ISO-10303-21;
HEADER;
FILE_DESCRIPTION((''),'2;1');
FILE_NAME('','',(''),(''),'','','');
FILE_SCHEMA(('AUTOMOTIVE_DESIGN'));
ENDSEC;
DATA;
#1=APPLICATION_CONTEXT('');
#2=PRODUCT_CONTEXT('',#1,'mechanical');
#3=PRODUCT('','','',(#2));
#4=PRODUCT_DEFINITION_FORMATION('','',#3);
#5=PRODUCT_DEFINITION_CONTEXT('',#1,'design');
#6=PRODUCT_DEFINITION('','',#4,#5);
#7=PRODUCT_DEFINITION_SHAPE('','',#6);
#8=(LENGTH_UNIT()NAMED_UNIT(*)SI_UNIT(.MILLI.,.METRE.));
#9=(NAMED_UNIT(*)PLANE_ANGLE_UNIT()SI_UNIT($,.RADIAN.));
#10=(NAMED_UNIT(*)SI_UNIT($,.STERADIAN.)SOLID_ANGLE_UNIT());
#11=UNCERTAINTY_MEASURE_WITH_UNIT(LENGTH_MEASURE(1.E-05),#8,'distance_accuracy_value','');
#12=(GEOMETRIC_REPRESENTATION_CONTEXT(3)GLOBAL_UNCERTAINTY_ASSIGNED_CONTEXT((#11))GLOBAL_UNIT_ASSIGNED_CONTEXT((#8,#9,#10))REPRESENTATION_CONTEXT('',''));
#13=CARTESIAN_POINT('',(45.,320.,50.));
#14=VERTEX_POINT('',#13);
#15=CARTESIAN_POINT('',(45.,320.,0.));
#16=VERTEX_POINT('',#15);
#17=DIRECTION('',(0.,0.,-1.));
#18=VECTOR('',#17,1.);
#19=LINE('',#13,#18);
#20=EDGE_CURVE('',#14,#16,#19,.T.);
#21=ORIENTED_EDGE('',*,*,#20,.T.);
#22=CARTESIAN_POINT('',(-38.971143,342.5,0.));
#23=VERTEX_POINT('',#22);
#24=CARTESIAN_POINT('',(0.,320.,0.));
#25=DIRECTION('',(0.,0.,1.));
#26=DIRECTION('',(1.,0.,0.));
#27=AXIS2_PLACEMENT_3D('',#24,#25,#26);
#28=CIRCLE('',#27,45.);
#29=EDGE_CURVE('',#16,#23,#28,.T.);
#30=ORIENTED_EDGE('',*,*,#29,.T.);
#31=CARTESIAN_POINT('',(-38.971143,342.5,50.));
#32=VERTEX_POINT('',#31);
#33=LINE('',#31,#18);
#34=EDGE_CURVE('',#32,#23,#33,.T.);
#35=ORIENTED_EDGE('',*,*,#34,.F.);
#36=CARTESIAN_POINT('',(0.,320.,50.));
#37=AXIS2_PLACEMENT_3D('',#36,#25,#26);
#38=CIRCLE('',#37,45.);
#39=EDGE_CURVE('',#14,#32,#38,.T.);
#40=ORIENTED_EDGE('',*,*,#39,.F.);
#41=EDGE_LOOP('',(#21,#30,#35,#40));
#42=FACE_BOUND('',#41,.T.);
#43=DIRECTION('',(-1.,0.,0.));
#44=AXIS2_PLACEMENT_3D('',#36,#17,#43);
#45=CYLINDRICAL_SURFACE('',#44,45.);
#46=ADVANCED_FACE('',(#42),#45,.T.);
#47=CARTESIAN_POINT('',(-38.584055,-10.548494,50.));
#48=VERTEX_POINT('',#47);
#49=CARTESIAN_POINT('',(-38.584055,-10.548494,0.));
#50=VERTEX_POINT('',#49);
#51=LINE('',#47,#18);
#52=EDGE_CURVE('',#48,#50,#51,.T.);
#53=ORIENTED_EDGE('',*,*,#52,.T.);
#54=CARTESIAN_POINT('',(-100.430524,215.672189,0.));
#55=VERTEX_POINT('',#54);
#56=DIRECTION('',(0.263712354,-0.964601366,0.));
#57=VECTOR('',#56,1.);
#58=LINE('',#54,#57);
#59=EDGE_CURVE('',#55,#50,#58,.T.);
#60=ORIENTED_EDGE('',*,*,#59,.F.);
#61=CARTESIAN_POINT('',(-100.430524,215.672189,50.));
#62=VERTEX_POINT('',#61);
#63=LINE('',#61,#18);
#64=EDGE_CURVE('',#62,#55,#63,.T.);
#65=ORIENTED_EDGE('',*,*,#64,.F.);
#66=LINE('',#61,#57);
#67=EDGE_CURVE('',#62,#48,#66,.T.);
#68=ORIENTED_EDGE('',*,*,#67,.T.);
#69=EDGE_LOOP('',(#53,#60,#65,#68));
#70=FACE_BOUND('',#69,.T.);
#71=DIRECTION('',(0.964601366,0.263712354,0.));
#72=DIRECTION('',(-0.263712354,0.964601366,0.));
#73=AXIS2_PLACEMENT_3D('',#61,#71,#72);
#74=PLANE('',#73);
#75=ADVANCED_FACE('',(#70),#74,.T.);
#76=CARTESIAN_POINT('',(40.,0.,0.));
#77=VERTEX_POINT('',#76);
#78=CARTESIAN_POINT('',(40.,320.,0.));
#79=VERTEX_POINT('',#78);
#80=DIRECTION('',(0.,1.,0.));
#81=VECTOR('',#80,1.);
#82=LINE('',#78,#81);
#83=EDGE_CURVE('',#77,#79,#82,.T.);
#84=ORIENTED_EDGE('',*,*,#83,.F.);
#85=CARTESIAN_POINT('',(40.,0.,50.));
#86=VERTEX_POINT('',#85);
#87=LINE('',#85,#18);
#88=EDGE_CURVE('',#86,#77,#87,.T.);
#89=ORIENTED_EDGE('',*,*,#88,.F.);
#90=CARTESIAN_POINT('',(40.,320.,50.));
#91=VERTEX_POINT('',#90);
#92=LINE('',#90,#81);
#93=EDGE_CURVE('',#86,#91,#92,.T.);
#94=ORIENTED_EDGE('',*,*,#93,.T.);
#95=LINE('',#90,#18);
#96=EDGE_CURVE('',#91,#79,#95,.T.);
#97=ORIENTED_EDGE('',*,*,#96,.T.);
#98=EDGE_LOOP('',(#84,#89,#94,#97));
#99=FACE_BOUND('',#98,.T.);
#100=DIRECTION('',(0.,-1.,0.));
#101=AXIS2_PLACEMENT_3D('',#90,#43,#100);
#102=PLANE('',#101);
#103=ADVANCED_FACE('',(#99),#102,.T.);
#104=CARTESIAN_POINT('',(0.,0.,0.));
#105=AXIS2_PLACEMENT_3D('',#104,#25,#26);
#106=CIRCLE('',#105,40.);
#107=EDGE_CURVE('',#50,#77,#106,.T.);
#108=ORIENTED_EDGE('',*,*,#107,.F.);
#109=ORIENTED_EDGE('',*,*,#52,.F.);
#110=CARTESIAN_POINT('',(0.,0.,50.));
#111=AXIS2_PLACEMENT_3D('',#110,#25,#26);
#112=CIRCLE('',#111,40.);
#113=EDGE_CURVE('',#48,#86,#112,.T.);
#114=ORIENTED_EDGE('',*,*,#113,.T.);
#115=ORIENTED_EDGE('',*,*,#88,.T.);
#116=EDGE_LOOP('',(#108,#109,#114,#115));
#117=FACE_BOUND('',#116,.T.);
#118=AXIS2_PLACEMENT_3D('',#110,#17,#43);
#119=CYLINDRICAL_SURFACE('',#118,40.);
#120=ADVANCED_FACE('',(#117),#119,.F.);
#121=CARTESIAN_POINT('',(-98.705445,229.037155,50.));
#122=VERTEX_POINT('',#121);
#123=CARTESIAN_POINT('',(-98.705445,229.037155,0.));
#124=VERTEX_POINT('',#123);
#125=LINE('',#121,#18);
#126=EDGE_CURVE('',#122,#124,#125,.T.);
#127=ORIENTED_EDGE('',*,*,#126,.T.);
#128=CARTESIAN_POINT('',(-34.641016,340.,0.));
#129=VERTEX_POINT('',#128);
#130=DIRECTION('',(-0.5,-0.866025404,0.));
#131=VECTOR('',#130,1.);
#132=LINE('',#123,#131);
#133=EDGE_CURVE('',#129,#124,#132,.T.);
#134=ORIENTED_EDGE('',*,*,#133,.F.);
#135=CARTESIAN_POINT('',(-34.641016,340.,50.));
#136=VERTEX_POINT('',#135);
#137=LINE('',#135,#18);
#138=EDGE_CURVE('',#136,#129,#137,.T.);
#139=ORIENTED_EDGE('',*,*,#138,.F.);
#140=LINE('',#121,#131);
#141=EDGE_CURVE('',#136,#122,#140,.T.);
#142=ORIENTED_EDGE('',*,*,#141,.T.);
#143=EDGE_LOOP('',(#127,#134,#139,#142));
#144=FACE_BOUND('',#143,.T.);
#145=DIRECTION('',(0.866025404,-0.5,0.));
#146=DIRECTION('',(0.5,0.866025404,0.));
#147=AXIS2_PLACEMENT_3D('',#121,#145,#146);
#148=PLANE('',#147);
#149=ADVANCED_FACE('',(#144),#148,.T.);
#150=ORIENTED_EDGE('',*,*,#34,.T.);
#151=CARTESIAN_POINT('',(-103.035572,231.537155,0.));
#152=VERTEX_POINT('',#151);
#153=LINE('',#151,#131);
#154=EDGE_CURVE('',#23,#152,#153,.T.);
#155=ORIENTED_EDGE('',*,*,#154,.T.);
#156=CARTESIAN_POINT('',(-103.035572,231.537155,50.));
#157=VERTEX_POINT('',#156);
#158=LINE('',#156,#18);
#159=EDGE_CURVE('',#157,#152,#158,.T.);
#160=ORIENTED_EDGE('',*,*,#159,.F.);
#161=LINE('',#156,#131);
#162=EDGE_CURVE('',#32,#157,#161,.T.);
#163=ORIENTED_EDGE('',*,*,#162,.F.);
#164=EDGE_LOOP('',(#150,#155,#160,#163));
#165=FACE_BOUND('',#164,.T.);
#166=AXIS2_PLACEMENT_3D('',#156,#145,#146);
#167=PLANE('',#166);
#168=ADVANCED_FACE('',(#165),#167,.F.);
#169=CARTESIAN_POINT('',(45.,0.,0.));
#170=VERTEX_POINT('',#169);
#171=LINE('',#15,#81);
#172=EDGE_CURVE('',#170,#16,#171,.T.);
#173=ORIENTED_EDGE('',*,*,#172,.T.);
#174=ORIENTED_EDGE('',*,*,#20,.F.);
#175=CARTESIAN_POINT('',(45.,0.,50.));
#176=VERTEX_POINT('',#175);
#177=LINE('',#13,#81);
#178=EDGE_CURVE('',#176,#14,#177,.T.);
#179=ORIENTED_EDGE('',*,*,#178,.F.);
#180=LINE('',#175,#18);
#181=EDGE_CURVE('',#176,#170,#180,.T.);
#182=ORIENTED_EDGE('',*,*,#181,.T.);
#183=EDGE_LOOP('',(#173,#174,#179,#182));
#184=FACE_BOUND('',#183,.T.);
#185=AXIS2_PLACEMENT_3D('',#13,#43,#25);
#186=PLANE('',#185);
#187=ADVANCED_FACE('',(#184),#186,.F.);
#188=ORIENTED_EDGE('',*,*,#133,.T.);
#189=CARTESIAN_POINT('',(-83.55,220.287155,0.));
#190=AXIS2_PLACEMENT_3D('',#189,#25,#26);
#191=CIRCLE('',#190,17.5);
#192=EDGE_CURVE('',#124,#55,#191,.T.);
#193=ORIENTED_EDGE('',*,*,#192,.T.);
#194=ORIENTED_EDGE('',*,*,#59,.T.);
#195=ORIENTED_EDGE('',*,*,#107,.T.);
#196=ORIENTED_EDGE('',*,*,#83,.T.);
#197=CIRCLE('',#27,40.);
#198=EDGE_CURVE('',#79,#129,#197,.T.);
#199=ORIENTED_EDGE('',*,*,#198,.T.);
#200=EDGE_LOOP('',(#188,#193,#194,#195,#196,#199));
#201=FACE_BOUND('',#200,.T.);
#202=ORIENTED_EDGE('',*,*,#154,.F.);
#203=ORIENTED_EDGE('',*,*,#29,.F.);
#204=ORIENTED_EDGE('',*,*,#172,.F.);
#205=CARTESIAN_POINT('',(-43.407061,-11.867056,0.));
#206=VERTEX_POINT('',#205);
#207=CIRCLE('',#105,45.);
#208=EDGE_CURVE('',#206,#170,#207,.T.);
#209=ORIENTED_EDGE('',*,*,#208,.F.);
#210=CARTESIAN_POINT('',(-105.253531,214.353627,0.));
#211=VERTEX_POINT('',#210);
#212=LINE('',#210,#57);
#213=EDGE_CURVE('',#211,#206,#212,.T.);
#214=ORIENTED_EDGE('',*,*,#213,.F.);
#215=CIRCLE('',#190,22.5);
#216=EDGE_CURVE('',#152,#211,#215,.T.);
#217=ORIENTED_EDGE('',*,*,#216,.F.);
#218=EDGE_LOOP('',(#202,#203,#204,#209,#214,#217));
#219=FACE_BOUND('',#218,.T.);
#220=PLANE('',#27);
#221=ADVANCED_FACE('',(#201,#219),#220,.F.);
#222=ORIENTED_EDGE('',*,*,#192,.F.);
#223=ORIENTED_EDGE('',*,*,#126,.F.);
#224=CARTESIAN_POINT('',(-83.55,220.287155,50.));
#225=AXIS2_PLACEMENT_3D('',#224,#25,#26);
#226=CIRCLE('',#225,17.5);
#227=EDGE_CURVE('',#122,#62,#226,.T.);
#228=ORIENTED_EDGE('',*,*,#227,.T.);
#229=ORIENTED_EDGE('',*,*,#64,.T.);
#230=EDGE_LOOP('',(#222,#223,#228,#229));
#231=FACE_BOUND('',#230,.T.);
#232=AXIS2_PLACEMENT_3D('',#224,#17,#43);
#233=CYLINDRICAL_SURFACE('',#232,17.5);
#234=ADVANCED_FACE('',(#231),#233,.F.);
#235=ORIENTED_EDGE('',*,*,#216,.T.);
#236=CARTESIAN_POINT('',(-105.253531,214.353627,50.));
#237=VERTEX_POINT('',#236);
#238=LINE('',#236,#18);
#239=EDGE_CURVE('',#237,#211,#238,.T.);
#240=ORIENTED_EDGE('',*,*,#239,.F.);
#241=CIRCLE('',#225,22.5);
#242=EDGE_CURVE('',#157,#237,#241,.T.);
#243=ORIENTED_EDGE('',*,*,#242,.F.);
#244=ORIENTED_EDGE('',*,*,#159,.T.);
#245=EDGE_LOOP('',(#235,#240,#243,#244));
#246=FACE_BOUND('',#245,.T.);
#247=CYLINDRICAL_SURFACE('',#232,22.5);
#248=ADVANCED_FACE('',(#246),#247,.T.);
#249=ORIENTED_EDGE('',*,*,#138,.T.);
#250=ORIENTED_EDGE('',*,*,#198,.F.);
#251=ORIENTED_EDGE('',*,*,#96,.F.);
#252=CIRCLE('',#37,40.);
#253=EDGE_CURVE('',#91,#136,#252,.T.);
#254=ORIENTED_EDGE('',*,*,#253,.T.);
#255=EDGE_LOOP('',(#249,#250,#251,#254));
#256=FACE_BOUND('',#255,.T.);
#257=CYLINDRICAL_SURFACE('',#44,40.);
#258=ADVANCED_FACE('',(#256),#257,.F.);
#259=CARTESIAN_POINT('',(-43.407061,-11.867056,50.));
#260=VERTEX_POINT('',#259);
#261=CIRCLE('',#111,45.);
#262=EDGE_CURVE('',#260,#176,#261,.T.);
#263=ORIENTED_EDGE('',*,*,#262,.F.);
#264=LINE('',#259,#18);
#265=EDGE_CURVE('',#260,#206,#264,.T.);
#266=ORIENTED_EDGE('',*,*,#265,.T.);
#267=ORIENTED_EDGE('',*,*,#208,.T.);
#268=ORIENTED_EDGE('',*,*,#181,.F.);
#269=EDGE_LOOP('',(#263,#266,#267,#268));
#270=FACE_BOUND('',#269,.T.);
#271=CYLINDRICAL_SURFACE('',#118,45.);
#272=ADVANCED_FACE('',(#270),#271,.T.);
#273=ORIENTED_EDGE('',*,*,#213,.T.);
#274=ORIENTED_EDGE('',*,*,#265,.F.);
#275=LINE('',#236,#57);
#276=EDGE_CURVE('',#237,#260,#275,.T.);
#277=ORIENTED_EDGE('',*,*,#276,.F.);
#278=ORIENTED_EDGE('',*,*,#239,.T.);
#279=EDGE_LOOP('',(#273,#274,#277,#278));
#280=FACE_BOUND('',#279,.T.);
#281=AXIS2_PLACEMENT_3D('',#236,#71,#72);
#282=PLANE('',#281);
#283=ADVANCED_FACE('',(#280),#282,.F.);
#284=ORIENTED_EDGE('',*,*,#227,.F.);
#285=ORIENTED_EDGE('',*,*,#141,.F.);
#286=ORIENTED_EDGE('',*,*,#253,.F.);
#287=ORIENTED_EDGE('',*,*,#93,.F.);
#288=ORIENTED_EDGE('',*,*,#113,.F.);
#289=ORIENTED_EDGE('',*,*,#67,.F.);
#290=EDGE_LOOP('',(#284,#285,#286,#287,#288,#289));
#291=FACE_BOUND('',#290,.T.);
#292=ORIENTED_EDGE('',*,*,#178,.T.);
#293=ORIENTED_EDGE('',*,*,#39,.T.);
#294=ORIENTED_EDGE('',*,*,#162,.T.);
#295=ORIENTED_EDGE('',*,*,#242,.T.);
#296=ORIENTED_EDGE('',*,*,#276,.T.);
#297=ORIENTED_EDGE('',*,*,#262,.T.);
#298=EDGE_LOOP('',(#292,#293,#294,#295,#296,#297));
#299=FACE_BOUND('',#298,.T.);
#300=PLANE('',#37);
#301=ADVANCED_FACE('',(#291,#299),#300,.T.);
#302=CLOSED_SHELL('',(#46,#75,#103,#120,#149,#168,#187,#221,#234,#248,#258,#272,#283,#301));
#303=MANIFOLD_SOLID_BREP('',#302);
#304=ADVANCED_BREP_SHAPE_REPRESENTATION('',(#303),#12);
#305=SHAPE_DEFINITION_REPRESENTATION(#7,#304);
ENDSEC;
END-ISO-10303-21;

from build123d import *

# Parameters (mm, degrees)
BOSS_EXTRUDE1_DEPTH = 50


with BuildPart() as part:
    # Sketch1 → Boss-Extrude1 (new body)
    with BuildSketch(Plane.XY):
        with BuildLine():
            Line((-103.035571585, 231.537155028), (-38.97114317, 342.5))
            ThreePointArc((-38.97114317, 342.5), (11.64685703, 363.466662183), (45, 320))
            Line((45, 320), (45, 0))
            ThreePointArc((45, 0), (5.986745133, -44.599987474), (-43.407061454, -11.867055908))
            Line((-43.407061454, -11.867055908), (-105.253530727, 214.353627074))
            ThreePointArc((-105.253530727, 214.353627074), (-105.864881706, 223.167442243), (-103.035571585, 231.537155028))
        make_face()
        with BuildLine():
            Line((40, 320), (40, 0))
            ThreePointArc((40, 0), (5.321551229, -39.644433311), (-38.584054626, -10.54849414))
            Line((-38.584054626, -10.54849414), (-100.430523899, 215.672188841))
            ThreePointArc((-100.430523899, 215.672188841), (-100.906019105, 222.527378417), (-98.705444566, 229.037155028))
            Line((-98.705444566, 229.037155028), (-34.641016151, 340))
            ThreePointArc((-34.641016151, 340), (10.352761804, 358.637033052), (40, 320))
        make_face(mode=Mode.SUBTRACT)
    extrude(amount=BOSS_EXTRUDE1_DEPTH)


solid = part.part
